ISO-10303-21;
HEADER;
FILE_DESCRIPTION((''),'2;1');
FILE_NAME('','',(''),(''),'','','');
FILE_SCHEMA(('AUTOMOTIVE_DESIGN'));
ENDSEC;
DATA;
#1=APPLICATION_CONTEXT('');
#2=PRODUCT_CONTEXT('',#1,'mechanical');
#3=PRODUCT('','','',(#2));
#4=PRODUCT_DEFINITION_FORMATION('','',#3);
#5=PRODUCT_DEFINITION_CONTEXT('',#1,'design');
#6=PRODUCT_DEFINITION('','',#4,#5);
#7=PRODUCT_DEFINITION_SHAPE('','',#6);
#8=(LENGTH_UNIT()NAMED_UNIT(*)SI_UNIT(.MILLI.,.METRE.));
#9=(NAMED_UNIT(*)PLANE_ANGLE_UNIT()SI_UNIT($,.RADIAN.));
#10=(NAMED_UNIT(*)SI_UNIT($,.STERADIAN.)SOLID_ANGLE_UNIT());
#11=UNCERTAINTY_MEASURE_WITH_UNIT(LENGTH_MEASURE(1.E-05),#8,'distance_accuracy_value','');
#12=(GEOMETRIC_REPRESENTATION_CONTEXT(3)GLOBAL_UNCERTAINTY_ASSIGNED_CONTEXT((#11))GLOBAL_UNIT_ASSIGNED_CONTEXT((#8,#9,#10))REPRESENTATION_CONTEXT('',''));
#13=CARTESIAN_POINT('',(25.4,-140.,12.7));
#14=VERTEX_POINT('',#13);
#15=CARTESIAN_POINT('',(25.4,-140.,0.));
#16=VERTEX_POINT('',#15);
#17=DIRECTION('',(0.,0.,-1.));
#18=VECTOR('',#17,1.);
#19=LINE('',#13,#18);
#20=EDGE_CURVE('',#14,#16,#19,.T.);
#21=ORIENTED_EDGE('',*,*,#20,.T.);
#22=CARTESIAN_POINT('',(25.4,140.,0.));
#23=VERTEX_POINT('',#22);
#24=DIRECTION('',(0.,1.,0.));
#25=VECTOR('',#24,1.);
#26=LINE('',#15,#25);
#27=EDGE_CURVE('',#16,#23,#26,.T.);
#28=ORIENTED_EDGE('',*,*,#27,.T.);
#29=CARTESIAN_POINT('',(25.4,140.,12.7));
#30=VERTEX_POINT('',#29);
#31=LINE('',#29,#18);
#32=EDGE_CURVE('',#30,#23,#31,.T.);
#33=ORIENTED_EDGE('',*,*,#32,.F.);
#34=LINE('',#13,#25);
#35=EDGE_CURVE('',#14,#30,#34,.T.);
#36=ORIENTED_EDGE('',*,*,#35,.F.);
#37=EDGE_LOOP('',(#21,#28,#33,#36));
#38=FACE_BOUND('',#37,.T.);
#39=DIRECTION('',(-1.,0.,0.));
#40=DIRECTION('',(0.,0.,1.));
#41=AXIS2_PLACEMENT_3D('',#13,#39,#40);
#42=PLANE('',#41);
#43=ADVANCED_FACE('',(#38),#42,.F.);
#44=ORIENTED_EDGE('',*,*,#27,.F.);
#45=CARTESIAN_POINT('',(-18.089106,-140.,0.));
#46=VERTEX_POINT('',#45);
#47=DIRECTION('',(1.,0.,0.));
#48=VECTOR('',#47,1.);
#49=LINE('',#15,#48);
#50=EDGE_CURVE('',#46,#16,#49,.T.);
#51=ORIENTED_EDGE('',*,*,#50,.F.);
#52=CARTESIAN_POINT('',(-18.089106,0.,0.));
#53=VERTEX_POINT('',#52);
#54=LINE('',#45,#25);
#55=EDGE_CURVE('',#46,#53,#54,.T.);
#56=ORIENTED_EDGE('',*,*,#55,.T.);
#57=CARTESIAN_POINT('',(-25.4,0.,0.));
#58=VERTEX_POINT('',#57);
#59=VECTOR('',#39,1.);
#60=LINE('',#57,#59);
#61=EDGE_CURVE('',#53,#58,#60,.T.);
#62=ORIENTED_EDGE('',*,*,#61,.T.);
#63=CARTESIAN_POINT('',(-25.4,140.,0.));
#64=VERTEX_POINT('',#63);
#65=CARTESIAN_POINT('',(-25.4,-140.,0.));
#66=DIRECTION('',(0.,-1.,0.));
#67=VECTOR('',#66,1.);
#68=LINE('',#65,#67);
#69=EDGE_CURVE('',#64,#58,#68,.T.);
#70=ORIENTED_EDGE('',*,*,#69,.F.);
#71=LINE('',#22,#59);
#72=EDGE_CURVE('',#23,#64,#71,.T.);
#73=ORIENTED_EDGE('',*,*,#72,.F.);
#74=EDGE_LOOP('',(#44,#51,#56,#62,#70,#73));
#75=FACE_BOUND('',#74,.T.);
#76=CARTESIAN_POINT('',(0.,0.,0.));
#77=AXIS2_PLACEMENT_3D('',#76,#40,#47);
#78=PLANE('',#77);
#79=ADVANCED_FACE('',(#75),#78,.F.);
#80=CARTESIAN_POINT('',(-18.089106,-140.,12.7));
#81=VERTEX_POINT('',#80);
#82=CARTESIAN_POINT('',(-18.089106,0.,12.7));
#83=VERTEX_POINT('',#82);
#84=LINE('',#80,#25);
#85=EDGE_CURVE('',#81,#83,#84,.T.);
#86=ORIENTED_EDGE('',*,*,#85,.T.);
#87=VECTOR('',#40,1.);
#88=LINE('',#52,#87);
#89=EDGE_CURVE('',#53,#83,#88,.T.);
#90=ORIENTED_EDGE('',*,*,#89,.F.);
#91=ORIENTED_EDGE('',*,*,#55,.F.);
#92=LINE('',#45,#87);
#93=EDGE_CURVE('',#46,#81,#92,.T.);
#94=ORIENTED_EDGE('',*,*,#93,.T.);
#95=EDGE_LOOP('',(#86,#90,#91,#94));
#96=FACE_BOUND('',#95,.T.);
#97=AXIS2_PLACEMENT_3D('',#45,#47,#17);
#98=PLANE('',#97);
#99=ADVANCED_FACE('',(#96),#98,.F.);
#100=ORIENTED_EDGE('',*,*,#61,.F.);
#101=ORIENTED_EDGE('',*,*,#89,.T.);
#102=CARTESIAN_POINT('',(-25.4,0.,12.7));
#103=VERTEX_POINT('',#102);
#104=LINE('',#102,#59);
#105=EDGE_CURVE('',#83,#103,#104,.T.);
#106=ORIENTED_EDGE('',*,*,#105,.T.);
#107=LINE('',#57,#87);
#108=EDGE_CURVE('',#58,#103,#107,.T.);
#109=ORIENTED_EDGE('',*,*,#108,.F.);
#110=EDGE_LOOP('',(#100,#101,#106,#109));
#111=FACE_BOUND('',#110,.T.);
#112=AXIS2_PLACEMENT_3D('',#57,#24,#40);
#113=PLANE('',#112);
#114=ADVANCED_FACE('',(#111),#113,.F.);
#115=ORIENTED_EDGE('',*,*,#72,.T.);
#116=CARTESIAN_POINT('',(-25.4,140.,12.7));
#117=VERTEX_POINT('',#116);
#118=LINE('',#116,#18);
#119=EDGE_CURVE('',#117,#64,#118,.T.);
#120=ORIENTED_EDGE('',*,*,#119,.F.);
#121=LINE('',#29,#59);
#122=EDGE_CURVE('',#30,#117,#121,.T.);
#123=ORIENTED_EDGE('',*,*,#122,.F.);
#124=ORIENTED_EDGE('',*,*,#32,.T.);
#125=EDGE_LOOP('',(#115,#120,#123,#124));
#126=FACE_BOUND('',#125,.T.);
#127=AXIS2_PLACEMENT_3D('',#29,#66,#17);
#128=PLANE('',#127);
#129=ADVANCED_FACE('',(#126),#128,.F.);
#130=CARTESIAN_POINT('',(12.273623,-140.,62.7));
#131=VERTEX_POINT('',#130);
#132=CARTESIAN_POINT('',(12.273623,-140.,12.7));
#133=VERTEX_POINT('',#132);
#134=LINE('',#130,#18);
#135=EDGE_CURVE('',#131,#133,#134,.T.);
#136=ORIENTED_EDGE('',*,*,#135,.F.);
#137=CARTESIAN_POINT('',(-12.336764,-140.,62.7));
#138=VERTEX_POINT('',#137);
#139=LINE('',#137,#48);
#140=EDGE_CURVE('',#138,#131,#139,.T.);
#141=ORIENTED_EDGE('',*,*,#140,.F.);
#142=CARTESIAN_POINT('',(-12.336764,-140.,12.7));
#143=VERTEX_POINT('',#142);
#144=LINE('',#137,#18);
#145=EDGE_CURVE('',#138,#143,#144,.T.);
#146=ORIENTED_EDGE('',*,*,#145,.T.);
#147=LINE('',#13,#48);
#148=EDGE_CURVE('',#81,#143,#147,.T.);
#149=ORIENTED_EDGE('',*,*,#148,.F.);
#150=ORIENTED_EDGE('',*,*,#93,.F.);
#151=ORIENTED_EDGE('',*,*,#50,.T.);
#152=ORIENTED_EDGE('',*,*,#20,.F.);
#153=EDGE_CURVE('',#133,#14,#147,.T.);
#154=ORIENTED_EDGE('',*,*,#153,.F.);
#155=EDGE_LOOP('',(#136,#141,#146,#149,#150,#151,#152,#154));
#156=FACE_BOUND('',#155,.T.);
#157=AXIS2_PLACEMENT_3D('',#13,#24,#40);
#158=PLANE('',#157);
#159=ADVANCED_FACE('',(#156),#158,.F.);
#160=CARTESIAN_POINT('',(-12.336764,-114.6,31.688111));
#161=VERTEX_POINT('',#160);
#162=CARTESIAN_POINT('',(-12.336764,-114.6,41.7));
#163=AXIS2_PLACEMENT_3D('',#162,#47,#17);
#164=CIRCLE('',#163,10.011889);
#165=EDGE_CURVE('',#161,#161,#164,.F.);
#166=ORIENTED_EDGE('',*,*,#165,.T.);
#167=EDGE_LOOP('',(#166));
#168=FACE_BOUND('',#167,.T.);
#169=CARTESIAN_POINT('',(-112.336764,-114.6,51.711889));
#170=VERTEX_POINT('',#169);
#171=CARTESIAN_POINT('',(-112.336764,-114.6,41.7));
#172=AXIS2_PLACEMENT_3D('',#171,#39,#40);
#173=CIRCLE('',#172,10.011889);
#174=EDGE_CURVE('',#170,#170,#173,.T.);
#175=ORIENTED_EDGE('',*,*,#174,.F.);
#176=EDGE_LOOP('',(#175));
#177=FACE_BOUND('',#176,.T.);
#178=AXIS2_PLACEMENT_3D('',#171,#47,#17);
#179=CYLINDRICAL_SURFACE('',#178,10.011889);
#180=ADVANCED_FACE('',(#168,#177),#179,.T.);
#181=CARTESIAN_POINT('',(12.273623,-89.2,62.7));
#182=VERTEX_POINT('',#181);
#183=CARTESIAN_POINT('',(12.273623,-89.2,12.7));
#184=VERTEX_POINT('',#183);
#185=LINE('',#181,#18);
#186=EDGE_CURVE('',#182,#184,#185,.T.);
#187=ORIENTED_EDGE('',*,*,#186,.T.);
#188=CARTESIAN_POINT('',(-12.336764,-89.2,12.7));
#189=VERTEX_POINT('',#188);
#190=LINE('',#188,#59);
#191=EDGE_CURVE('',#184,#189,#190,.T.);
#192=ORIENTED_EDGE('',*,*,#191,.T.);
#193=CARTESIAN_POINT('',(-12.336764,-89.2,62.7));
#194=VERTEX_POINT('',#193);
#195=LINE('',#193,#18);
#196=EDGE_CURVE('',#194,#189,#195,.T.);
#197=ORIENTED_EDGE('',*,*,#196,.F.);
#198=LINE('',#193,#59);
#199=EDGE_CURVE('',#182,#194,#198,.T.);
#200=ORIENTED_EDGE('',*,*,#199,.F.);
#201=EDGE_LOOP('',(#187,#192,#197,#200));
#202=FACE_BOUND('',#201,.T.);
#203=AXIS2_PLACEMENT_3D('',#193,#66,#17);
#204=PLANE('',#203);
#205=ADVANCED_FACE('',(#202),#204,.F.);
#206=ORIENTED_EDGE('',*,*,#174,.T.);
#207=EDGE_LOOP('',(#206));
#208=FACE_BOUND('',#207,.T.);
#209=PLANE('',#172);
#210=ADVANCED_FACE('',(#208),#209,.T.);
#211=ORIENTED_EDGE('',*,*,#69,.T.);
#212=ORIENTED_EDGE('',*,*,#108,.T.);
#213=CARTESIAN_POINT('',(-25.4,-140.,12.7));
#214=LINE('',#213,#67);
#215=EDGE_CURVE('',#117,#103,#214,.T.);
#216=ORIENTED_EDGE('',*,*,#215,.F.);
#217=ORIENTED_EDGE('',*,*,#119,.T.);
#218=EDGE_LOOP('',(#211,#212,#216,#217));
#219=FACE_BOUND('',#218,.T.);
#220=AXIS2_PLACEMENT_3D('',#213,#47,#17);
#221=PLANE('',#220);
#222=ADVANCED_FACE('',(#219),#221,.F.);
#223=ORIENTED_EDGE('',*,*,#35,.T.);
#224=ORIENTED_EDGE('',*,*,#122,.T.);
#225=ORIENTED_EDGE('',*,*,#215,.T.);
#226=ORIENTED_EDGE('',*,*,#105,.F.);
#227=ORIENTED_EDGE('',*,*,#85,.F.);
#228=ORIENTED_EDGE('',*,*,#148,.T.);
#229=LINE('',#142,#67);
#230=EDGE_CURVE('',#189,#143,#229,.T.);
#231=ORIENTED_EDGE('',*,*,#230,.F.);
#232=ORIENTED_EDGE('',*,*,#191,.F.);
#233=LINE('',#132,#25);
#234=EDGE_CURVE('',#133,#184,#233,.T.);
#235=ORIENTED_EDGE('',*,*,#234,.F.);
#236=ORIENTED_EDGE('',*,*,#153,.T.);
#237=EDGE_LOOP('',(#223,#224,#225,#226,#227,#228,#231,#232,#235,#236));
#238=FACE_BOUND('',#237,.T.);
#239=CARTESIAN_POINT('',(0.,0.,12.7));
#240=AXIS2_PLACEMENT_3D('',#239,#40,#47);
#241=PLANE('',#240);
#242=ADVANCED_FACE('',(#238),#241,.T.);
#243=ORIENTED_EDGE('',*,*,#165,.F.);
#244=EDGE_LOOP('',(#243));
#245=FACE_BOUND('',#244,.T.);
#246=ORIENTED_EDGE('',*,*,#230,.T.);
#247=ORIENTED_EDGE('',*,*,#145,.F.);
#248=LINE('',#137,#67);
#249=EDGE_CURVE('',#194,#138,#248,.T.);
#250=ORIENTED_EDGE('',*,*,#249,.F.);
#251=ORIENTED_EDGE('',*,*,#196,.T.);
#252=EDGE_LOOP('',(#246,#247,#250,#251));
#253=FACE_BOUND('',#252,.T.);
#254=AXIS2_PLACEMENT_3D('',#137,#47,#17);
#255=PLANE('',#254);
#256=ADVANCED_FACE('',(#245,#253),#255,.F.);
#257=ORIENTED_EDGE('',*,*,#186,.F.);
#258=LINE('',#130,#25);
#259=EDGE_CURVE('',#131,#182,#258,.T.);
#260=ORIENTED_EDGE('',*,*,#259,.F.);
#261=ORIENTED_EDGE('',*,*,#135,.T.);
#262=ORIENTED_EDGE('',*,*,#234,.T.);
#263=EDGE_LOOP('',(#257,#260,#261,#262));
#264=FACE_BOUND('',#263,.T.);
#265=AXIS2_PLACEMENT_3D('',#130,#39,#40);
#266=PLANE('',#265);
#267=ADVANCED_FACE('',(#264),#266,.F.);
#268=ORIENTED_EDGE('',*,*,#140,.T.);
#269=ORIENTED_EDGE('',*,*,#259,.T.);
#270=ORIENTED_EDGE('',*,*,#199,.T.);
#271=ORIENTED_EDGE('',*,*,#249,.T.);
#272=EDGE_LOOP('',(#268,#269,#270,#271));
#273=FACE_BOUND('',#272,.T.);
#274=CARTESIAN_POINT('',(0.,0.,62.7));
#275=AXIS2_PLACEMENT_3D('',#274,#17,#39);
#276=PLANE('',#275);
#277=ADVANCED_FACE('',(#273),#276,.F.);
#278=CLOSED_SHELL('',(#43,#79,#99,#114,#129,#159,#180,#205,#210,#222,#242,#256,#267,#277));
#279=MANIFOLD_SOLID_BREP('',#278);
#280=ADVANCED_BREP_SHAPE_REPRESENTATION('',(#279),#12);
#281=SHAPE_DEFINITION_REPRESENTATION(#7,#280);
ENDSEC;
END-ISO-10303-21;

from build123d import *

# Parameters (mm, degrees)
CROQUIS1_W              = 50.8
CROQUIS1_H              = 280
SALIENTE_EXTRUIR1_DEPTH = 12.7
CROQUIS2_W              = 24.610386892
CROQUIS2_H              = 50.8
SALIENTE_EXTRUIR2_DEPTH = 50
CROQUIS4_R              = 10.011889378
SALIENTE_EXTRUIR3_DEPTH = 100
CROQUIS5_W              = 7.310893966
CROQUIS5_H              = 140
CORTAR_EXTRUIR1_DEPTH   = 187.331823837


with BuildPart() as part:
    # Croquis1 → Saliente-Extruir1 (new body)
    with BuildSketch(Plane.XY):
        Rectangle(CROQUIS1_W, CROQUIS1_H)
    extrude(amount=SALIENTE_EXTRUIR1_DEPTH)

    # Croquis2 → Saliente-Extruir2 (add)
    with BuildSketch(Plane.XY.offset(12.7)):
        with Locations((-0.031570681, -114.6)):
            Rectangle(CROQUIS2_W, CROQUIS2_H)
    extrude(amount=SALIENTE_EXTRUIR2_DEPTH)

    # Croquis4 → Saliente-Extruir3 (add)
    with BuildSketch(Plane.ZY.offset(12.336764127)):
        with Locations(Location((41.7, -114.6, 0), (0, 0, 180))):
            Circle(CROQUIS4_R)
    extrude(amount=SALIENTE_EXTRUIR3_DEPTH)

    # Croquis5 → Cortar-Extruir1 (cut, through all)
    with BuildSketch(Plane.XY.offset(12.7)):
        with Locations((-21.744553017, -70)):
            Rectangle(CROQUIS5_W, CROQUIS5_H)
    extrude(amount=-CORTAR_EXTRUIR1_DEPTH, mode=Mode.SUBTRACT)


solid = part.part
